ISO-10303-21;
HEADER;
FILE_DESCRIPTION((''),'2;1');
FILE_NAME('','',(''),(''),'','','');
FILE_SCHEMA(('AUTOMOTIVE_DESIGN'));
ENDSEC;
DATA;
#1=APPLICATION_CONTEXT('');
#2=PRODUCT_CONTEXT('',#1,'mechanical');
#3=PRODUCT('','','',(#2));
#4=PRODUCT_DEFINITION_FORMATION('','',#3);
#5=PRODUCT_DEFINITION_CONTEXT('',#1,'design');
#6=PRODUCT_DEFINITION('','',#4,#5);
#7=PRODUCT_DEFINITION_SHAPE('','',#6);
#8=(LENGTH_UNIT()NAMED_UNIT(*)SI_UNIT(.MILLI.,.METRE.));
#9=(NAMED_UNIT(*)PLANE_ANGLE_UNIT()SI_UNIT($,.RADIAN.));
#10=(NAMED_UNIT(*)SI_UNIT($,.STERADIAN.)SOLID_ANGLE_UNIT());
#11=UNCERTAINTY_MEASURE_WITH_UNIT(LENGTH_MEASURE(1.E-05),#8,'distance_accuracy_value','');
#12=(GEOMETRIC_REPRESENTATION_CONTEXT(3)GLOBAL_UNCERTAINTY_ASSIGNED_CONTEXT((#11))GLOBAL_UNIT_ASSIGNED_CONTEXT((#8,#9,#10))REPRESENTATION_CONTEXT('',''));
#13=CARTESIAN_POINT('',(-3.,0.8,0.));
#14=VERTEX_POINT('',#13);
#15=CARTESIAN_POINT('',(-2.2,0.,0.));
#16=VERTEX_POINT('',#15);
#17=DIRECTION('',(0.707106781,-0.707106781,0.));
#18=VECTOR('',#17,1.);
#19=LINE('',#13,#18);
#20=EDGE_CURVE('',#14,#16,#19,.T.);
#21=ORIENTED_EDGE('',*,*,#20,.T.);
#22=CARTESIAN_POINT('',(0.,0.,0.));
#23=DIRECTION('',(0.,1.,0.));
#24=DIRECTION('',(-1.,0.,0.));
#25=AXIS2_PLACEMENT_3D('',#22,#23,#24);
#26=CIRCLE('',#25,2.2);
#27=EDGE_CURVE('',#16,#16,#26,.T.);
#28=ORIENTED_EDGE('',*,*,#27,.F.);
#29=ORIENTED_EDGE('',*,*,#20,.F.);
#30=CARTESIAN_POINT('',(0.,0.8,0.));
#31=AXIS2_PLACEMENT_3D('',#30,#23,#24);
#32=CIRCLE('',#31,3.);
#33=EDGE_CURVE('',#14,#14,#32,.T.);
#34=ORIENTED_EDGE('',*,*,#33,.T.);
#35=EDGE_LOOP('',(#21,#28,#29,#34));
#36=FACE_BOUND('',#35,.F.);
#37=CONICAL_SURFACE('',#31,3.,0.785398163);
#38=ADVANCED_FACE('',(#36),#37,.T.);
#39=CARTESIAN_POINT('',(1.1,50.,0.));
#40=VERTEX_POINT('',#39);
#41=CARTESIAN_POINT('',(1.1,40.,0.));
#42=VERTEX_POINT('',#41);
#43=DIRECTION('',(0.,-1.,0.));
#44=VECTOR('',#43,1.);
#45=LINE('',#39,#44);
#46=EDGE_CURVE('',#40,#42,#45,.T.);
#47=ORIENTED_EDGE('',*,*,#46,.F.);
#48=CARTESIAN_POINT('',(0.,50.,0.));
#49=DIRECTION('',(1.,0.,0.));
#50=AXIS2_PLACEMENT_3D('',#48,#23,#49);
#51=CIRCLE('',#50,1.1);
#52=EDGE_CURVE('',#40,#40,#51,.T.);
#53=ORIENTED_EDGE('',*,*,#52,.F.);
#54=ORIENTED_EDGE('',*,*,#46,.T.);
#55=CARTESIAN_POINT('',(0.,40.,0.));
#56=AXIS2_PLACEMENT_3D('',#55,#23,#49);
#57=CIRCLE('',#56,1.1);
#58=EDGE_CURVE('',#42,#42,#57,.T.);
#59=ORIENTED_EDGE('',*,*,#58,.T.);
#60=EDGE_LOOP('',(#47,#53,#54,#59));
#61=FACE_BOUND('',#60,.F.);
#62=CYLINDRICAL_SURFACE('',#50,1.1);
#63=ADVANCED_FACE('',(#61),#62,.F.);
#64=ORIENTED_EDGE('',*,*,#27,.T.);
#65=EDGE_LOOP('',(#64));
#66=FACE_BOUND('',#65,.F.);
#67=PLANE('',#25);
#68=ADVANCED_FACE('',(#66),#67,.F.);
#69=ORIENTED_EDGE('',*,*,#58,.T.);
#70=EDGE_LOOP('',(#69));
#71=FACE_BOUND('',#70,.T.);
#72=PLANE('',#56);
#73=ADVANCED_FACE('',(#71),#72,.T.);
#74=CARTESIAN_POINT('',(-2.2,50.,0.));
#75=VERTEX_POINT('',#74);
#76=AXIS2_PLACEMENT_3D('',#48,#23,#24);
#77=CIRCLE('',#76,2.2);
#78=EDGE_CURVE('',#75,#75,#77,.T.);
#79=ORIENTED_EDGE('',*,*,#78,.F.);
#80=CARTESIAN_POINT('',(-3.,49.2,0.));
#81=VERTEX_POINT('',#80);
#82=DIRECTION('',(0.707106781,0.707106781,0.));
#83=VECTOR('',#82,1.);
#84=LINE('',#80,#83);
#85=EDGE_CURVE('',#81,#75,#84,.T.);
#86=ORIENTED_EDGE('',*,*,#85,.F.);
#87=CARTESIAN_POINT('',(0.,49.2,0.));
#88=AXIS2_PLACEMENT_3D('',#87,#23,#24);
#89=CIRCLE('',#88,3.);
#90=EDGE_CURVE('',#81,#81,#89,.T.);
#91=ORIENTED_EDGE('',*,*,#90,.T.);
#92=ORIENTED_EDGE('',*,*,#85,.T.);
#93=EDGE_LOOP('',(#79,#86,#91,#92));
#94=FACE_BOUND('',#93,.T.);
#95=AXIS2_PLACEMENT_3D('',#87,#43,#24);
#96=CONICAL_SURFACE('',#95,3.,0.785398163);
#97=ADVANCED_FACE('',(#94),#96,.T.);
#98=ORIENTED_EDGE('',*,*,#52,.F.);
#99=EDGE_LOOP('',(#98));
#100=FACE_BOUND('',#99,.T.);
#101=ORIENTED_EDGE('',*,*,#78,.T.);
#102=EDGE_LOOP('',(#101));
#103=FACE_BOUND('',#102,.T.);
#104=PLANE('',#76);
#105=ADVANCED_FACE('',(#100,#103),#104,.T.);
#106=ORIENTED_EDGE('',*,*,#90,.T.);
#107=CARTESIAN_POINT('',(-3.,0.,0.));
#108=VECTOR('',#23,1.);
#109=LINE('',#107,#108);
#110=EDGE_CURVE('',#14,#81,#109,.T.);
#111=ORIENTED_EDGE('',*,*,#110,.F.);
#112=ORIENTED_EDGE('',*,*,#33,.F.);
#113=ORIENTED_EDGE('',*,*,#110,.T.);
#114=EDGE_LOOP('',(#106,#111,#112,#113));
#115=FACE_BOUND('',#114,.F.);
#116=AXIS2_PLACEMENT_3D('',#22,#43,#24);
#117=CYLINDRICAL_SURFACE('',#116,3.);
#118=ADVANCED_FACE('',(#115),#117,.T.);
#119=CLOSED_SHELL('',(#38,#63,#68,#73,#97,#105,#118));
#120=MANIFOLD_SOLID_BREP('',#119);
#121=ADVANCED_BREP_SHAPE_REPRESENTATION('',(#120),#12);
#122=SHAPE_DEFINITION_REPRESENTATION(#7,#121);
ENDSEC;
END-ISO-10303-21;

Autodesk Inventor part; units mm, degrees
ref_plane "YZ Plane" through (0, 0, 0) normal (1, 0, 0) x (0, 1, 0)
ref_plane "XZ Plane" through (0, 0, 0) normal (0, 1, 0) x (-1, 0, 0)
ref_plane "XY Plane" through (0, 0, 0) normal (0, 0, 1) x (1, 0, 0)
sketch "Sketch1" plane through (0, 0, 0) normal (0, 1, 0) x (-1, 0, 0)
  circle A0 centre (0, 0) radius 3
  dimension "d2" = 6
extrude "Extrusion1" add sketch "Sketch1" along normal blind 50
chamfer "Chamfer1" distance 0.8 angle 45 2 edges at (3, 50, 0) (3, 0, 0)
sketch "Sketch2" plane through (0, 50, 0) normal (0, 1, 0) x (1, 0, 0)
  circle A0 centre (0, 0) radius 1.1
  dimension "d8" = 2.2
extrude "Extrusion2" cut sketch "Sketch2" against normal blind 10
properties part number "bar"
